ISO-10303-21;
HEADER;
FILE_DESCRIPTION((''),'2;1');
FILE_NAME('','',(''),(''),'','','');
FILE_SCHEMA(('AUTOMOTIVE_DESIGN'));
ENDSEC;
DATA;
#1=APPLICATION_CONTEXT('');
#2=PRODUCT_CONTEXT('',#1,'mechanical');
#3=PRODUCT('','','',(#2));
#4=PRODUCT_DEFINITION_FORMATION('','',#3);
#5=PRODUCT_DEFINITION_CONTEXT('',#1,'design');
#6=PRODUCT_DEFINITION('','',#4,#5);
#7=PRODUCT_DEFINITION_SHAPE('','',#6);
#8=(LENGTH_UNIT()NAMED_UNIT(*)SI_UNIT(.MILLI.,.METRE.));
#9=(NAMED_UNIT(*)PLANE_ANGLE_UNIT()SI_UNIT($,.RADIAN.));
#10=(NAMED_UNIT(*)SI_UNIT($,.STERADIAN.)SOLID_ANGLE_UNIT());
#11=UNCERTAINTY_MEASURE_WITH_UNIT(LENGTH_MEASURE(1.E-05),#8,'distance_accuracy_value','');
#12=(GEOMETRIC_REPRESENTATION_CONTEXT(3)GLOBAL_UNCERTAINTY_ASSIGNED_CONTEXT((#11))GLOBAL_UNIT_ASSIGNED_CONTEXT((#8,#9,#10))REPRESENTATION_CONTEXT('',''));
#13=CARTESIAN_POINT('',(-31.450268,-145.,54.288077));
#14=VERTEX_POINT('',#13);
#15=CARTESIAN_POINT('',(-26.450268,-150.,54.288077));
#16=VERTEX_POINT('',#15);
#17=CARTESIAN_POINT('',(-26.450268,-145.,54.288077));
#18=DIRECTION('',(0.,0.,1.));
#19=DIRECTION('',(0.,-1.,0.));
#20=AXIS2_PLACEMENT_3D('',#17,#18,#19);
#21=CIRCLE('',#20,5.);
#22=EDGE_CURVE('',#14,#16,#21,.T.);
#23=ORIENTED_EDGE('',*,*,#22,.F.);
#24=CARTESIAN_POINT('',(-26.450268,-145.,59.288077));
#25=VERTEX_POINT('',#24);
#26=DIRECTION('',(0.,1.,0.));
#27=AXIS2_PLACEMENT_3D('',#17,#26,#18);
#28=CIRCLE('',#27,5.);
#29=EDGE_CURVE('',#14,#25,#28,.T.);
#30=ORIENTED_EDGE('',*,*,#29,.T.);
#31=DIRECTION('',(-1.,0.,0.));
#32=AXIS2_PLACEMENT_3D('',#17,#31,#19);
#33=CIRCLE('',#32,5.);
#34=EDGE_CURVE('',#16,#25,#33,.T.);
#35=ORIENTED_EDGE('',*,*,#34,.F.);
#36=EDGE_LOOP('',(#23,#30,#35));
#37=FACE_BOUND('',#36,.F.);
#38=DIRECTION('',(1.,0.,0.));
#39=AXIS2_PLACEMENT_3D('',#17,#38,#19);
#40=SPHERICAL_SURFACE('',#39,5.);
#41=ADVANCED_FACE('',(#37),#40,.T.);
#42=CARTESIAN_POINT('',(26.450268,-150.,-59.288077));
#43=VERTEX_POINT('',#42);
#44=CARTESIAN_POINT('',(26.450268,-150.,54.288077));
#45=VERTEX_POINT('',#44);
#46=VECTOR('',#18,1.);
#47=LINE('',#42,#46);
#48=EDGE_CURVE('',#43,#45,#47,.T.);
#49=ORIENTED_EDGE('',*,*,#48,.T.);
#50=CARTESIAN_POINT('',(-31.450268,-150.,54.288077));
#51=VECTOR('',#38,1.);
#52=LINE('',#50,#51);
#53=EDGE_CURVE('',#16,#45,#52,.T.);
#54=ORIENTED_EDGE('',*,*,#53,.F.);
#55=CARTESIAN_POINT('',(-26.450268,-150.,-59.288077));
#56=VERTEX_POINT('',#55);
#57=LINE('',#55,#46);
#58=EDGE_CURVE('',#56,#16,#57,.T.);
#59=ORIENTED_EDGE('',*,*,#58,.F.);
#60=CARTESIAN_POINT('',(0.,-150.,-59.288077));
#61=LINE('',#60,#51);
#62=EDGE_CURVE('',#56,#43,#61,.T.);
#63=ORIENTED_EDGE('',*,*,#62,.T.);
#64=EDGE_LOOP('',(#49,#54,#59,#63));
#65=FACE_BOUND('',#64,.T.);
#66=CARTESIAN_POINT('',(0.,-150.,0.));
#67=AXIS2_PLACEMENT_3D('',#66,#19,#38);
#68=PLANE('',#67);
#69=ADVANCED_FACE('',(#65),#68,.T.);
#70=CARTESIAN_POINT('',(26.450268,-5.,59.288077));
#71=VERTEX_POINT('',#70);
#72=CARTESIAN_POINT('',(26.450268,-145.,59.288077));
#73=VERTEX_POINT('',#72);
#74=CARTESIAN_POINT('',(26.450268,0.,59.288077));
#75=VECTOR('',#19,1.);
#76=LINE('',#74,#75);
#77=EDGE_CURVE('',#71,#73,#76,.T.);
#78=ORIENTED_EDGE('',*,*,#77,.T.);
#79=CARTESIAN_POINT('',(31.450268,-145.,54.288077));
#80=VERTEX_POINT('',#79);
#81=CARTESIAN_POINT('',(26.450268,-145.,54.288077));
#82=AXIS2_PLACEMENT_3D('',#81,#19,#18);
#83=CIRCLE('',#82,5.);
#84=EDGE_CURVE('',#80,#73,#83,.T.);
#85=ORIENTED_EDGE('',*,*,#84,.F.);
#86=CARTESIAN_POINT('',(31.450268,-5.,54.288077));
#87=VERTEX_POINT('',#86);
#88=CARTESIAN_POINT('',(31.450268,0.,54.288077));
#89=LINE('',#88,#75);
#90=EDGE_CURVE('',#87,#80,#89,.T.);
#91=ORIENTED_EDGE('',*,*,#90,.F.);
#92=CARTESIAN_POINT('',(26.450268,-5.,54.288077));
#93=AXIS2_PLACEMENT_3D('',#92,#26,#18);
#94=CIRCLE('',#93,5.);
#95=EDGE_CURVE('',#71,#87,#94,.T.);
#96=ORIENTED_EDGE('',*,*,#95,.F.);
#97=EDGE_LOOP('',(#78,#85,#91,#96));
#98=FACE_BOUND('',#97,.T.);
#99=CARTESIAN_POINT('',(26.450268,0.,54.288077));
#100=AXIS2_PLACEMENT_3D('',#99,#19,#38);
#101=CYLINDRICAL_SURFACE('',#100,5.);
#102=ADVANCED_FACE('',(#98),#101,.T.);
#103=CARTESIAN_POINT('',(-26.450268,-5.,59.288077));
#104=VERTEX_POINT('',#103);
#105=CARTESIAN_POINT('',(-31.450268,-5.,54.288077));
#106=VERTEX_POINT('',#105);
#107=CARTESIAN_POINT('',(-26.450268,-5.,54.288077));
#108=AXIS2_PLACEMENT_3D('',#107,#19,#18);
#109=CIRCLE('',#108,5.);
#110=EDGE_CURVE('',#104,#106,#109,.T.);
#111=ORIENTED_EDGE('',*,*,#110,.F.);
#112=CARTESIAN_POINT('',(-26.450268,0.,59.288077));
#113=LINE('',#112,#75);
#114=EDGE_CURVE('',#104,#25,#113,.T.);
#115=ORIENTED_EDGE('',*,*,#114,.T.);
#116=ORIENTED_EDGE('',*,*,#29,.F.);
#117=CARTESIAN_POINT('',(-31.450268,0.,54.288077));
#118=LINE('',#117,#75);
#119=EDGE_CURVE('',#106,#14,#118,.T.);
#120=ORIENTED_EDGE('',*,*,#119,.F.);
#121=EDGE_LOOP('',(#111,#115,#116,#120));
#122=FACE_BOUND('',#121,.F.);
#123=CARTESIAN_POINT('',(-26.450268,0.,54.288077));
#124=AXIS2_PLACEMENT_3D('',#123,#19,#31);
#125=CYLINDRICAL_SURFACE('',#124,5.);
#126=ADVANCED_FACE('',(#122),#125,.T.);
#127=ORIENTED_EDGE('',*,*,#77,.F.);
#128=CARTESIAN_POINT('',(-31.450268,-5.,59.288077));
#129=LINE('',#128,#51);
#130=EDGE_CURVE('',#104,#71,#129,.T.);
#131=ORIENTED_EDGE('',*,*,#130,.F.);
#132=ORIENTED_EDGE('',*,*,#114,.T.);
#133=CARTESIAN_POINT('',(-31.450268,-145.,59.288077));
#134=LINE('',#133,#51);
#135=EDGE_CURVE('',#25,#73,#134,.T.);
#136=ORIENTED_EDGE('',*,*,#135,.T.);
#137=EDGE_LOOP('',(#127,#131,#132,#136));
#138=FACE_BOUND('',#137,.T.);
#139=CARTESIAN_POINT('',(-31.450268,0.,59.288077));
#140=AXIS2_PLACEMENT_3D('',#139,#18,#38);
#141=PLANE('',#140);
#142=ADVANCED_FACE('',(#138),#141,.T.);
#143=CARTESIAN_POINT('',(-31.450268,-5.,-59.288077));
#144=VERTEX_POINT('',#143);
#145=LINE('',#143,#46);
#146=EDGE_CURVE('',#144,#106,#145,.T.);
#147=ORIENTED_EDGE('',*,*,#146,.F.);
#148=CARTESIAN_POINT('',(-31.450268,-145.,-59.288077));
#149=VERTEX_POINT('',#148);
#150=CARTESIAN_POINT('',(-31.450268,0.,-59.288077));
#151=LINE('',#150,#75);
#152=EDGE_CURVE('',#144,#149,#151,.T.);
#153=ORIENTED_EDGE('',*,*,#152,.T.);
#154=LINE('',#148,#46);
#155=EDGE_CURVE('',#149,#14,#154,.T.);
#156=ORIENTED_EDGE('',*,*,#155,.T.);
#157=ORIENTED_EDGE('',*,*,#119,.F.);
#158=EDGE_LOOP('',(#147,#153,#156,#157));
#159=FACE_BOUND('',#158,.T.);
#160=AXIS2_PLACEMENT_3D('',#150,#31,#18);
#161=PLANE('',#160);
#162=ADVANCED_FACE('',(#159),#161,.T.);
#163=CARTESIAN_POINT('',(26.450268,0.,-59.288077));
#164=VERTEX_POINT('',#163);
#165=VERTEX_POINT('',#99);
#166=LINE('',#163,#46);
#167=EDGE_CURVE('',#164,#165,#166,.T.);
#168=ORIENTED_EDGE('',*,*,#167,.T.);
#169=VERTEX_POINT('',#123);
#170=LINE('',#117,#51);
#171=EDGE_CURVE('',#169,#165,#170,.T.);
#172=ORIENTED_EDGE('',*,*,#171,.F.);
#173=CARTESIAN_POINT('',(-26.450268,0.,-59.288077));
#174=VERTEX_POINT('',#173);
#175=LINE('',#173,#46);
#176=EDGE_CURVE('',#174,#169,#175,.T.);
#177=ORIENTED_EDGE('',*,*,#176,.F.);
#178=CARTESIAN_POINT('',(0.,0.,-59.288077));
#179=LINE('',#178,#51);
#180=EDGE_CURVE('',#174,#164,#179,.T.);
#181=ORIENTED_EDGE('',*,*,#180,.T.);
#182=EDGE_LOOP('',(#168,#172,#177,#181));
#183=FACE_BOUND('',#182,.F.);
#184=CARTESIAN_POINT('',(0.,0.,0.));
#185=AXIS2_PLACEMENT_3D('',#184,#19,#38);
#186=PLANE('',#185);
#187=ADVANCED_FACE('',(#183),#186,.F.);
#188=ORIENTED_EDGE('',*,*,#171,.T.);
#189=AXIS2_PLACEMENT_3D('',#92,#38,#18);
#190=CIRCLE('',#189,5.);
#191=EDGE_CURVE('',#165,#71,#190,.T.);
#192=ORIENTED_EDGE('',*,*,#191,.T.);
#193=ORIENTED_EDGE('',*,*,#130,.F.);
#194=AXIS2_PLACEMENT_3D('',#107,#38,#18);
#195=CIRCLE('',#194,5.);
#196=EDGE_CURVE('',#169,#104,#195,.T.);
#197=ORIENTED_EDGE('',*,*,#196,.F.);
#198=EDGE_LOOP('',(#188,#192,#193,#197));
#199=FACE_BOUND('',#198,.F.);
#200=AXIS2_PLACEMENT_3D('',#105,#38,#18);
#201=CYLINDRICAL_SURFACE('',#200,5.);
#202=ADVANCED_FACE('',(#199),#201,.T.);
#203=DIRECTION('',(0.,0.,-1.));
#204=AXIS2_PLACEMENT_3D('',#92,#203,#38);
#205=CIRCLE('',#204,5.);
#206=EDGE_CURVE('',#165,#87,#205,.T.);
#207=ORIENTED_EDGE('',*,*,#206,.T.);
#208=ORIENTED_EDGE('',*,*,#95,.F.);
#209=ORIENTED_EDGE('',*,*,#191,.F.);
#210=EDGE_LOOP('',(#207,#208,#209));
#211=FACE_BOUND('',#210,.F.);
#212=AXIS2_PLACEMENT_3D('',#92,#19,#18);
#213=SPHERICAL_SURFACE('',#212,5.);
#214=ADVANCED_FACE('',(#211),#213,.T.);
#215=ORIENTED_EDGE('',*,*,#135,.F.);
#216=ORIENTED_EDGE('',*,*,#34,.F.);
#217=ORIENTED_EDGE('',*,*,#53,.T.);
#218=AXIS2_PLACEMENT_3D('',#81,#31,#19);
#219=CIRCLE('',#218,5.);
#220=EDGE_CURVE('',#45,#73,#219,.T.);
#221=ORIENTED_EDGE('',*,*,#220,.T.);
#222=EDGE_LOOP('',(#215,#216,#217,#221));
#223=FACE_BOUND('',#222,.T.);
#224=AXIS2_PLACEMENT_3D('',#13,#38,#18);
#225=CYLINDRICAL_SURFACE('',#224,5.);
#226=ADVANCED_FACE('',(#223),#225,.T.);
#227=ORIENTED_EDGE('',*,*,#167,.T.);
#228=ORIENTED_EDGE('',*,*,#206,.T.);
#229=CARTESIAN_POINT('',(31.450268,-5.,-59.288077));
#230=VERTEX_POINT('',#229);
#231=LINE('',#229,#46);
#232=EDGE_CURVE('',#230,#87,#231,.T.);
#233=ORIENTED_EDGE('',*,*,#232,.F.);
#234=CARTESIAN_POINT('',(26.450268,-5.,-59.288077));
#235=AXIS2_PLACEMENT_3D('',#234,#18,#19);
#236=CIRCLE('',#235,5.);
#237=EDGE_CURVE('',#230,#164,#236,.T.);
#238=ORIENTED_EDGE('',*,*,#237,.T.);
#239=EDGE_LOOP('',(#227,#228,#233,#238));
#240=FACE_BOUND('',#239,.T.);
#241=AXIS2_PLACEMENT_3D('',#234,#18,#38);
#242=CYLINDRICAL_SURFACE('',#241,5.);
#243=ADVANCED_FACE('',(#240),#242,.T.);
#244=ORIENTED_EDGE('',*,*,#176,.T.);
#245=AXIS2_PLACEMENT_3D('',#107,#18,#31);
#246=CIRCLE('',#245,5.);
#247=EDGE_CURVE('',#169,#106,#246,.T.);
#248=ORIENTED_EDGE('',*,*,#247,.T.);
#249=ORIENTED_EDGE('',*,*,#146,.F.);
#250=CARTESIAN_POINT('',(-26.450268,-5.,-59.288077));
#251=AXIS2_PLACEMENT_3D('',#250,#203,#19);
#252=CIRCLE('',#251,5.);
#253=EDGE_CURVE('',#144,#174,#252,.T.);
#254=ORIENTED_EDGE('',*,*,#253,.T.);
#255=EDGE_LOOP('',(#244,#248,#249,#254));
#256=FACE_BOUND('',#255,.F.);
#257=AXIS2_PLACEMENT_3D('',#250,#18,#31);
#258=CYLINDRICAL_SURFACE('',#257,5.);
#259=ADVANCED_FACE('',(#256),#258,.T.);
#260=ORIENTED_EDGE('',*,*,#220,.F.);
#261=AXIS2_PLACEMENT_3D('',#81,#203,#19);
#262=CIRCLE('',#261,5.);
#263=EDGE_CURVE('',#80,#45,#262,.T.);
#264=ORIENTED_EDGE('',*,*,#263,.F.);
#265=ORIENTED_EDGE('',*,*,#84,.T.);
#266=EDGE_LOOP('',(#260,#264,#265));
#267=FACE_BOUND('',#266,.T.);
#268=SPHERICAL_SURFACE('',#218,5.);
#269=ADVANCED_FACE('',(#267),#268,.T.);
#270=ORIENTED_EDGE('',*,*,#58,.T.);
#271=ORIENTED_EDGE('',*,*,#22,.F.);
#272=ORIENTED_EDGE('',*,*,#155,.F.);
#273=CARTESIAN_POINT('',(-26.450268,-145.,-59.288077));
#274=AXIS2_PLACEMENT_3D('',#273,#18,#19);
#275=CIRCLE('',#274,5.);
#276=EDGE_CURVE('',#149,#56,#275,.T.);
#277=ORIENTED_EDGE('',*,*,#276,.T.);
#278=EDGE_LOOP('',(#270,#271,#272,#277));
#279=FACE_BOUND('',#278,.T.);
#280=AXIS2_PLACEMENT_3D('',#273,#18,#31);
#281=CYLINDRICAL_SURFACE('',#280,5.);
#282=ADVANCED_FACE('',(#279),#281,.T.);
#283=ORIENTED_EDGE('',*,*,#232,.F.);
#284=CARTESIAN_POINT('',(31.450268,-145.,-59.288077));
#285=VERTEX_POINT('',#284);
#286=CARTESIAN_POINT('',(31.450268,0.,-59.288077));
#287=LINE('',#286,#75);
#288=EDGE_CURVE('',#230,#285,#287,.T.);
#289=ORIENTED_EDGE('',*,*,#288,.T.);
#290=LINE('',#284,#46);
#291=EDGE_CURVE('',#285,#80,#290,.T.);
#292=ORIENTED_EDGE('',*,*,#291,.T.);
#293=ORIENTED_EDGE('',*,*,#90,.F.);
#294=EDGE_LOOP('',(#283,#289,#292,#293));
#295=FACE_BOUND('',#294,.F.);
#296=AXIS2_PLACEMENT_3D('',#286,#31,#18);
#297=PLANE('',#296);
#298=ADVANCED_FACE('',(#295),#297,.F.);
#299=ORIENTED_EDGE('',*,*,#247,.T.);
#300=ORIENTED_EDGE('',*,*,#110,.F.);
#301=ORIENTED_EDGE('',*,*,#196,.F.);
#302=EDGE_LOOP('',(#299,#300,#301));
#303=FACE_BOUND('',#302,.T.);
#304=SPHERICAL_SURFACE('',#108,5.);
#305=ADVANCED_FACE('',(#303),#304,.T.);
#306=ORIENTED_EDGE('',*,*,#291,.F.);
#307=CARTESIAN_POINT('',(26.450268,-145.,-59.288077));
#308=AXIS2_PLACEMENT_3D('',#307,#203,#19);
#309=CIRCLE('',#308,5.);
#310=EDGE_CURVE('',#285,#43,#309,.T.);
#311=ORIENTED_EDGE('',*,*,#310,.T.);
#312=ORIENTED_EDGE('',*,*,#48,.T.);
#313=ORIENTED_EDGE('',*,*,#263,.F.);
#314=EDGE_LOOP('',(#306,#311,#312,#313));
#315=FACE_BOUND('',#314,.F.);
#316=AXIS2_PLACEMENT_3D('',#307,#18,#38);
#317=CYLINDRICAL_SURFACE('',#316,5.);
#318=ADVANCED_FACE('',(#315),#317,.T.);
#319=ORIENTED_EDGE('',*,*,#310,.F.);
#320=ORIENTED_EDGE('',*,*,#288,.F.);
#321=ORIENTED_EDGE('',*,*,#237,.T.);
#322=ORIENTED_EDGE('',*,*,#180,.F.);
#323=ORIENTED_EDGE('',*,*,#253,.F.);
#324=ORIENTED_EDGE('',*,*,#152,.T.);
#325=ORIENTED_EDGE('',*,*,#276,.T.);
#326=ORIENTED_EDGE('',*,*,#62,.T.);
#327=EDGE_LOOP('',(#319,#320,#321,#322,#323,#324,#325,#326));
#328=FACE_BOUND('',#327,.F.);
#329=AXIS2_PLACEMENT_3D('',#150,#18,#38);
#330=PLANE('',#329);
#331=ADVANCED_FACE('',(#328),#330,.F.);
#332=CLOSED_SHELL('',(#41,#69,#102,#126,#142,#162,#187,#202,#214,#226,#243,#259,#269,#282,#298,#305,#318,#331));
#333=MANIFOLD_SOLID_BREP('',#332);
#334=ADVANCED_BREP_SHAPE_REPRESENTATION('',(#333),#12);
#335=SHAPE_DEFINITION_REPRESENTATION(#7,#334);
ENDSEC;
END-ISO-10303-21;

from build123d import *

# Parameters (mm, degrees)
F0_W     = 62.900536
F0_H     = 118.576154
F1_DEPTH = 150
F2_R     = 5


with BuildPart() as f1:
    # F0 (on Front) → F1 (new body)
    with BuildSketch(Plane.XZ):
        Rectangle(F0_W, F0_H)
    extrude(amount=F1_DEPTH)

    # F2
    f2_edges = [f1.edges().sort_by_distance(p)[0] for p in [
        (0, -150, 59.288077),
        (-31.450268, -150, 0),
        (31.450268, -150, 0),
        (-31.450268, -75, 59.288077),
        (31.450268, -75, 59.288077),
        (0, 0, 59.288077),
        (-31.450268, 0, 0),
        (31.450268, 0, 0),
    ]]
    fillet(f2_edges, radius=F2_R)


solid = f1.part
